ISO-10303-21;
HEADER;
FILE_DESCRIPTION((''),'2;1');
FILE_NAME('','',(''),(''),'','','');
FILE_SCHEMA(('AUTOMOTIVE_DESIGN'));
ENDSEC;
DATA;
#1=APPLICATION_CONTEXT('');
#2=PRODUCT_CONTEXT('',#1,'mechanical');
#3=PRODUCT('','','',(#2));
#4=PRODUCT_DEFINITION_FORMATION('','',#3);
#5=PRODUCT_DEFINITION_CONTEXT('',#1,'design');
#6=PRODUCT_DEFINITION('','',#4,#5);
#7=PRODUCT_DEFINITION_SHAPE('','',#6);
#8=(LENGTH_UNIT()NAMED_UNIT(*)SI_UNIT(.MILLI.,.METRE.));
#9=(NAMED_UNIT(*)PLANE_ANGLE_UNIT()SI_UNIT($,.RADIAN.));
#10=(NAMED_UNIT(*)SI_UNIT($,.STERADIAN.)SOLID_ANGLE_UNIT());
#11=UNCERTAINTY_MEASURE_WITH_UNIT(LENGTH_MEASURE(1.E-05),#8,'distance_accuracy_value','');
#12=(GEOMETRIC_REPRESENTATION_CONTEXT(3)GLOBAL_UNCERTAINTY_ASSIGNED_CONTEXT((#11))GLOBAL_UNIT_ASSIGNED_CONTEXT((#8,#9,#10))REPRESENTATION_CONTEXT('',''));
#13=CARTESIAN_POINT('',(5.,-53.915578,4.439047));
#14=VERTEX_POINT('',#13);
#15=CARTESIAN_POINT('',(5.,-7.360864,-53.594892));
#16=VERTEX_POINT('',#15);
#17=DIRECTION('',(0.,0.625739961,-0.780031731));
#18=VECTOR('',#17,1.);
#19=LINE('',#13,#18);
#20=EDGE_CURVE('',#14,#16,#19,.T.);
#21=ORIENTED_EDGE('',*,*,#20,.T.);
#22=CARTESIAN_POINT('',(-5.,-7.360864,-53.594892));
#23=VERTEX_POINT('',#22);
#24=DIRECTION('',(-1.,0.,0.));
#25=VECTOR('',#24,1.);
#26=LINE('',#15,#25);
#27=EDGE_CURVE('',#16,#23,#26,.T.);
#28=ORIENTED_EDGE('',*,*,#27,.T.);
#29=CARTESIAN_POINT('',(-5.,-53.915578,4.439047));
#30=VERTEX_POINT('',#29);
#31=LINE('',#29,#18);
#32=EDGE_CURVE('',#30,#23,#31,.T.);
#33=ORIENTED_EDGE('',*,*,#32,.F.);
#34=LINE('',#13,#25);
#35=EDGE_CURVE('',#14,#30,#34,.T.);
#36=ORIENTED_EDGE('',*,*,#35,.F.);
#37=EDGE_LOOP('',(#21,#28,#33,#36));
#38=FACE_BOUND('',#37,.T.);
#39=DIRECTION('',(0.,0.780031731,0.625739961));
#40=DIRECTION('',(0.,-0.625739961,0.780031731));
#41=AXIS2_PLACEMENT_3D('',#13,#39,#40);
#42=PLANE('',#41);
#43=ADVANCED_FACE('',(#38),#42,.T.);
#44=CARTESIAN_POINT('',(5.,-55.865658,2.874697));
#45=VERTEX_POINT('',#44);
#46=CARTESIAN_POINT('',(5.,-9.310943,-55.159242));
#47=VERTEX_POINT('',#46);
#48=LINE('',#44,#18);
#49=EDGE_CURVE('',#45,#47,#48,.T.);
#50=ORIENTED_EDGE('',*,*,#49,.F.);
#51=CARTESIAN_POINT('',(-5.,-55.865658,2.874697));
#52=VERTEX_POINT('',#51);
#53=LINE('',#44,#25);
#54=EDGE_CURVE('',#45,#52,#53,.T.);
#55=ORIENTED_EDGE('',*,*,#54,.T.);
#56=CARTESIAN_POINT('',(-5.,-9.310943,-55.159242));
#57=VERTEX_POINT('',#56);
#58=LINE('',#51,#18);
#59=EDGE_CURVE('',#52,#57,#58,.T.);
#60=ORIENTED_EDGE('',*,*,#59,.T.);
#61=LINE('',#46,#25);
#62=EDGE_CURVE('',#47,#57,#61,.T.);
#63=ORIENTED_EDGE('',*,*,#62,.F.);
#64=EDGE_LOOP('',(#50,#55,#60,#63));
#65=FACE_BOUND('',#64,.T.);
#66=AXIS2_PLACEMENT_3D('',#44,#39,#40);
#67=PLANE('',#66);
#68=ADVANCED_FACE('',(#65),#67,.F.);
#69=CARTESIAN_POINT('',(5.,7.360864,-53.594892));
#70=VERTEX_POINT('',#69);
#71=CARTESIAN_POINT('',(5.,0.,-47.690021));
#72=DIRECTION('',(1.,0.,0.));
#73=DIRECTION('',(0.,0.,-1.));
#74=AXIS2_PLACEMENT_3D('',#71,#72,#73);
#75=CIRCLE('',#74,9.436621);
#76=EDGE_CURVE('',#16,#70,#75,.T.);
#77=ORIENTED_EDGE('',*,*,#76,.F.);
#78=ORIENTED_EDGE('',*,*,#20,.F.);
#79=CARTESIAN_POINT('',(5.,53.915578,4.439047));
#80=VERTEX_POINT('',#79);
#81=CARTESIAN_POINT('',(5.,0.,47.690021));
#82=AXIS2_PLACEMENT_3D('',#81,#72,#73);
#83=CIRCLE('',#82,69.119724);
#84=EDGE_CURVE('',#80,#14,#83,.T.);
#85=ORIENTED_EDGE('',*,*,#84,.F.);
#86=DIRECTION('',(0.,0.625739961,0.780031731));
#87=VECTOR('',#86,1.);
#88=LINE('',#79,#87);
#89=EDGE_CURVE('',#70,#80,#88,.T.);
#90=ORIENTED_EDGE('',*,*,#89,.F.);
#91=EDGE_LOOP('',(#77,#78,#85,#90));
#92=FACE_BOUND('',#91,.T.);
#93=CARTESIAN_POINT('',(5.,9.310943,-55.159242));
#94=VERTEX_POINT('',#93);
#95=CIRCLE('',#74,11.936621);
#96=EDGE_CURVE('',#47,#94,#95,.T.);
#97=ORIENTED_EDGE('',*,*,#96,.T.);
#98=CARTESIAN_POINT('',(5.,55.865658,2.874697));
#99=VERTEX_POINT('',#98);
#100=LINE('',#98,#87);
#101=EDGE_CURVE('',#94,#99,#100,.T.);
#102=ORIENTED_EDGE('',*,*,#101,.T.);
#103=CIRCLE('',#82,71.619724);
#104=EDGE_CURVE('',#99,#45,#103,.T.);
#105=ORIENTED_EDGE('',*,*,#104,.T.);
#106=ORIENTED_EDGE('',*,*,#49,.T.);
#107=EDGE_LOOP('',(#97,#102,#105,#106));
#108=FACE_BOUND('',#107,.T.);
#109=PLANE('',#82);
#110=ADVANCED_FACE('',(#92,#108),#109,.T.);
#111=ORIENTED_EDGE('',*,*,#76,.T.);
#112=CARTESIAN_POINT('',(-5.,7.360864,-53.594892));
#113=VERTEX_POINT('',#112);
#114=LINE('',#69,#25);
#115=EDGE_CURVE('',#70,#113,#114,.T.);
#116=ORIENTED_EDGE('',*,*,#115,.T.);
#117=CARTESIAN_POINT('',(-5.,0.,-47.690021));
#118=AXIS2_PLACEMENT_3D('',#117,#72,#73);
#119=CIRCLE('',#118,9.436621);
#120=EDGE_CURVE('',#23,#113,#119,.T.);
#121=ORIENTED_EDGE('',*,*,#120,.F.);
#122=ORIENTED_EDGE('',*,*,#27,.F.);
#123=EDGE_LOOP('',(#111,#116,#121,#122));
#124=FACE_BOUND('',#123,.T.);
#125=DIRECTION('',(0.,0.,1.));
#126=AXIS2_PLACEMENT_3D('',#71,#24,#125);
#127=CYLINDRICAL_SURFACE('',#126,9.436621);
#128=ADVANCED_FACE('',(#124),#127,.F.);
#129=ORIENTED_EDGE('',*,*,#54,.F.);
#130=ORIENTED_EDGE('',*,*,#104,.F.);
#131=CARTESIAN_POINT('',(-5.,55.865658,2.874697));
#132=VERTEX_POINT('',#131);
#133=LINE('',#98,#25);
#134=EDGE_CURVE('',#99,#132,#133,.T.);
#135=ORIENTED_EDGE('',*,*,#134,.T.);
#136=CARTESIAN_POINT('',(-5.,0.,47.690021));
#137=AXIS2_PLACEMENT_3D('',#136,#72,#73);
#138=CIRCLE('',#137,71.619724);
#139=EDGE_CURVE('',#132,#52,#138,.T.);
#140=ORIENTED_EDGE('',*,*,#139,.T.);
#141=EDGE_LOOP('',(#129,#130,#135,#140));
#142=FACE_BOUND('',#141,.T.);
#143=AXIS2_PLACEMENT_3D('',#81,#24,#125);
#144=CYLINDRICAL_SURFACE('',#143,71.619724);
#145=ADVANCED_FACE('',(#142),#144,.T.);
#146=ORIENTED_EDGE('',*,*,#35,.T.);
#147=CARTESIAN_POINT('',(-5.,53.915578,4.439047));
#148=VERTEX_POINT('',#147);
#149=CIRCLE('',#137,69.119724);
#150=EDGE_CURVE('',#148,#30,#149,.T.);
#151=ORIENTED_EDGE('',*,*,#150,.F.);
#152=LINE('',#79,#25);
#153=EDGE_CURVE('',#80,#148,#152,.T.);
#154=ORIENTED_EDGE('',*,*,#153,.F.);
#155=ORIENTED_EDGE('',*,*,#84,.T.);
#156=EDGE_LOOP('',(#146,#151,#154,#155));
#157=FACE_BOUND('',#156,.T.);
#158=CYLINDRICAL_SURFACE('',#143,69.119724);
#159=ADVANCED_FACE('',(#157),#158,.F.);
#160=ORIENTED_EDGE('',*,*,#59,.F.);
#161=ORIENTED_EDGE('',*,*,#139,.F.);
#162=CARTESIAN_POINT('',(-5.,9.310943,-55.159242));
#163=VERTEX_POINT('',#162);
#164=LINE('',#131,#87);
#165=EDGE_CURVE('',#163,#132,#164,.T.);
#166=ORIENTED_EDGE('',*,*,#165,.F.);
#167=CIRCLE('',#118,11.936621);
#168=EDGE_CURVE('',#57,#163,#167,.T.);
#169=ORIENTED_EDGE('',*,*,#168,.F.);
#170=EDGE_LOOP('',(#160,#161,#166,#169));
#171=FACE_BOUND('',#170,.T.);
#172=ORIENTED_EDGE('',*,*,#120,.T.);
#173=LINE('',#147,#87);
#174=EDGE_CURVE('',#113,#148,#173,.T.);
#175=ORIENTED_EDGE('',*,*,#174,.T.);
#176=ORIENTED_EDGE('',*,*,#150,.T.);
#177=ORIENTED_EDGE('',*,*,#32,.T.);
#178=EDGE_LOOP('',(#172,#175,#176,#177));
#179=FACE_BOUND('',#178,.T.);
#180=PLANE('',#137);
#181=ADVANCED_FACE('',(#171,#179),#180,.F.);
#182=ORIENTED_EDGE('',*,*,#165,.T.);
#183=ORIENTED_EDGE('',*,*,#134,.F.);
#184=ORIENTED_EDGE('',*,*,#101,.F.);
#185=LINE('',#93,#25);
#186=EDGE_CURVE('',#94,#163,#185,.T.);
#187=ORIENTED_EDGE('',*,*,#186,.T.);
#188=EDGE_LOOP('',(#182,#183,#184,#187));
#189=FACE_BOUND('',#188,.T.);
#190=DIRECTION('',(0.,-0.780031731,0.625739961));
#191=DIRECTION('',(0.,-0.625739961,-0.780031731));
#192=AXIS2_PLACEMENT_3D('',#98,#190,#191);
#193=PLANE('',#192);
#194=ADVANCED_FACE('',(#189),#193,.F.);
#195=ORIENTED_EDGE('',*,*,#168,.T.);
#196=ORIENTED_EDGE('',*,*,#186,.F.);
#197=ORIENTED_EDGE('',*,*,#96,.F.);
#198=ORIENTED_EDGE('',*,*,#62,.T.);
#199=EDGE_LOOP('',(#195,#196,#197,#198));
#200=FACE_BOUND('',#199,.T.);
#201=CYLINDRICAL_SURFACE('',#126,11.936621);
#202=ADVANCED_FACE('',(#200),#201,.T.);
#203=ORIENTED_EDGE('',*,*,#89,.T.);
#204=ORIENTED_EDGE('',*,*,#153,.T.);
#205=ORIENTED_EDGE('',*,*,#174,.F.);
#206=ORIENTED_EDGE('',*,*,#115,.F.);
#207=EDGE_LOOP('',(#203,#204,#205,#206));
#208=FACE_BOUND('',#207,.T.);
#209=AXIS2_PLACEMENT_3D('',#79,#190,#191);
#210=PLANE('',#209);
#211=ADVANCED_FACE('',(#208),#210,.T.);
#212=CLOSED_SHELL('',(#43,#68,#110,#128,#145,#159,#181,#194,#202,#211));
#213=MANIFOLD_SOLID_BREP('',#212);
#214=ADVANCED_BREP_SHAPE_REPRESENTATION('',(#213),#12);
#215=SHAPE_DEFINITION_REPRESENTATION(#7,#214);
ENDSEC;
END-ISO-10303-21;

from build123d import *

# Parameters (mm, degrees)
BOSS_EXTRUDE1_DEPTH = 5


with BuildPart() as part:
    # Sketch1 → Boss-Extrude1 (new, symmetric)
    with BuildSketch(Plane(origin=(0, 0, 0), x_dir=(0, 0, -1), z_dir=(1, 0, 0))):
        with BuildLine():
            Line((-2.874697349, 55.865657575), (55.1592415, 9.310942929))
            ThreePointArc((55.1592415, 9.310942929), (59.626641639, 0), (55.1592415, -9.310942929))
            Line((55.1592415, -9.310942929), (-2.874697349, -55.865657575))
            ThreePointArc((-2.874697349, -55.865657575), (-119.309745298, 0), (-2.874697349, 55.865657575))
        make_face()
        with BuildLine():
            Line((-4.439047251, 53.915578248), (53.594891597, 7.360863602))
            ThreePointArc((53.594891597, 7.360863602), (57.126641639, 0), (53.594891597, -7.360863602))
            Line((53.594891597, -7.360863602), (-4.439047251, -53.915578248))
            ThreePointArc((-4.439047251, -53.915578248), (-116.809745298, 0), (-4.439047251, 53.915578248))
        make_face(mode=Mode.SUBTRACT)
    extrude(amount=BOSS_EXTRUDE1_DEPTH, both=True)


solid = part.part
